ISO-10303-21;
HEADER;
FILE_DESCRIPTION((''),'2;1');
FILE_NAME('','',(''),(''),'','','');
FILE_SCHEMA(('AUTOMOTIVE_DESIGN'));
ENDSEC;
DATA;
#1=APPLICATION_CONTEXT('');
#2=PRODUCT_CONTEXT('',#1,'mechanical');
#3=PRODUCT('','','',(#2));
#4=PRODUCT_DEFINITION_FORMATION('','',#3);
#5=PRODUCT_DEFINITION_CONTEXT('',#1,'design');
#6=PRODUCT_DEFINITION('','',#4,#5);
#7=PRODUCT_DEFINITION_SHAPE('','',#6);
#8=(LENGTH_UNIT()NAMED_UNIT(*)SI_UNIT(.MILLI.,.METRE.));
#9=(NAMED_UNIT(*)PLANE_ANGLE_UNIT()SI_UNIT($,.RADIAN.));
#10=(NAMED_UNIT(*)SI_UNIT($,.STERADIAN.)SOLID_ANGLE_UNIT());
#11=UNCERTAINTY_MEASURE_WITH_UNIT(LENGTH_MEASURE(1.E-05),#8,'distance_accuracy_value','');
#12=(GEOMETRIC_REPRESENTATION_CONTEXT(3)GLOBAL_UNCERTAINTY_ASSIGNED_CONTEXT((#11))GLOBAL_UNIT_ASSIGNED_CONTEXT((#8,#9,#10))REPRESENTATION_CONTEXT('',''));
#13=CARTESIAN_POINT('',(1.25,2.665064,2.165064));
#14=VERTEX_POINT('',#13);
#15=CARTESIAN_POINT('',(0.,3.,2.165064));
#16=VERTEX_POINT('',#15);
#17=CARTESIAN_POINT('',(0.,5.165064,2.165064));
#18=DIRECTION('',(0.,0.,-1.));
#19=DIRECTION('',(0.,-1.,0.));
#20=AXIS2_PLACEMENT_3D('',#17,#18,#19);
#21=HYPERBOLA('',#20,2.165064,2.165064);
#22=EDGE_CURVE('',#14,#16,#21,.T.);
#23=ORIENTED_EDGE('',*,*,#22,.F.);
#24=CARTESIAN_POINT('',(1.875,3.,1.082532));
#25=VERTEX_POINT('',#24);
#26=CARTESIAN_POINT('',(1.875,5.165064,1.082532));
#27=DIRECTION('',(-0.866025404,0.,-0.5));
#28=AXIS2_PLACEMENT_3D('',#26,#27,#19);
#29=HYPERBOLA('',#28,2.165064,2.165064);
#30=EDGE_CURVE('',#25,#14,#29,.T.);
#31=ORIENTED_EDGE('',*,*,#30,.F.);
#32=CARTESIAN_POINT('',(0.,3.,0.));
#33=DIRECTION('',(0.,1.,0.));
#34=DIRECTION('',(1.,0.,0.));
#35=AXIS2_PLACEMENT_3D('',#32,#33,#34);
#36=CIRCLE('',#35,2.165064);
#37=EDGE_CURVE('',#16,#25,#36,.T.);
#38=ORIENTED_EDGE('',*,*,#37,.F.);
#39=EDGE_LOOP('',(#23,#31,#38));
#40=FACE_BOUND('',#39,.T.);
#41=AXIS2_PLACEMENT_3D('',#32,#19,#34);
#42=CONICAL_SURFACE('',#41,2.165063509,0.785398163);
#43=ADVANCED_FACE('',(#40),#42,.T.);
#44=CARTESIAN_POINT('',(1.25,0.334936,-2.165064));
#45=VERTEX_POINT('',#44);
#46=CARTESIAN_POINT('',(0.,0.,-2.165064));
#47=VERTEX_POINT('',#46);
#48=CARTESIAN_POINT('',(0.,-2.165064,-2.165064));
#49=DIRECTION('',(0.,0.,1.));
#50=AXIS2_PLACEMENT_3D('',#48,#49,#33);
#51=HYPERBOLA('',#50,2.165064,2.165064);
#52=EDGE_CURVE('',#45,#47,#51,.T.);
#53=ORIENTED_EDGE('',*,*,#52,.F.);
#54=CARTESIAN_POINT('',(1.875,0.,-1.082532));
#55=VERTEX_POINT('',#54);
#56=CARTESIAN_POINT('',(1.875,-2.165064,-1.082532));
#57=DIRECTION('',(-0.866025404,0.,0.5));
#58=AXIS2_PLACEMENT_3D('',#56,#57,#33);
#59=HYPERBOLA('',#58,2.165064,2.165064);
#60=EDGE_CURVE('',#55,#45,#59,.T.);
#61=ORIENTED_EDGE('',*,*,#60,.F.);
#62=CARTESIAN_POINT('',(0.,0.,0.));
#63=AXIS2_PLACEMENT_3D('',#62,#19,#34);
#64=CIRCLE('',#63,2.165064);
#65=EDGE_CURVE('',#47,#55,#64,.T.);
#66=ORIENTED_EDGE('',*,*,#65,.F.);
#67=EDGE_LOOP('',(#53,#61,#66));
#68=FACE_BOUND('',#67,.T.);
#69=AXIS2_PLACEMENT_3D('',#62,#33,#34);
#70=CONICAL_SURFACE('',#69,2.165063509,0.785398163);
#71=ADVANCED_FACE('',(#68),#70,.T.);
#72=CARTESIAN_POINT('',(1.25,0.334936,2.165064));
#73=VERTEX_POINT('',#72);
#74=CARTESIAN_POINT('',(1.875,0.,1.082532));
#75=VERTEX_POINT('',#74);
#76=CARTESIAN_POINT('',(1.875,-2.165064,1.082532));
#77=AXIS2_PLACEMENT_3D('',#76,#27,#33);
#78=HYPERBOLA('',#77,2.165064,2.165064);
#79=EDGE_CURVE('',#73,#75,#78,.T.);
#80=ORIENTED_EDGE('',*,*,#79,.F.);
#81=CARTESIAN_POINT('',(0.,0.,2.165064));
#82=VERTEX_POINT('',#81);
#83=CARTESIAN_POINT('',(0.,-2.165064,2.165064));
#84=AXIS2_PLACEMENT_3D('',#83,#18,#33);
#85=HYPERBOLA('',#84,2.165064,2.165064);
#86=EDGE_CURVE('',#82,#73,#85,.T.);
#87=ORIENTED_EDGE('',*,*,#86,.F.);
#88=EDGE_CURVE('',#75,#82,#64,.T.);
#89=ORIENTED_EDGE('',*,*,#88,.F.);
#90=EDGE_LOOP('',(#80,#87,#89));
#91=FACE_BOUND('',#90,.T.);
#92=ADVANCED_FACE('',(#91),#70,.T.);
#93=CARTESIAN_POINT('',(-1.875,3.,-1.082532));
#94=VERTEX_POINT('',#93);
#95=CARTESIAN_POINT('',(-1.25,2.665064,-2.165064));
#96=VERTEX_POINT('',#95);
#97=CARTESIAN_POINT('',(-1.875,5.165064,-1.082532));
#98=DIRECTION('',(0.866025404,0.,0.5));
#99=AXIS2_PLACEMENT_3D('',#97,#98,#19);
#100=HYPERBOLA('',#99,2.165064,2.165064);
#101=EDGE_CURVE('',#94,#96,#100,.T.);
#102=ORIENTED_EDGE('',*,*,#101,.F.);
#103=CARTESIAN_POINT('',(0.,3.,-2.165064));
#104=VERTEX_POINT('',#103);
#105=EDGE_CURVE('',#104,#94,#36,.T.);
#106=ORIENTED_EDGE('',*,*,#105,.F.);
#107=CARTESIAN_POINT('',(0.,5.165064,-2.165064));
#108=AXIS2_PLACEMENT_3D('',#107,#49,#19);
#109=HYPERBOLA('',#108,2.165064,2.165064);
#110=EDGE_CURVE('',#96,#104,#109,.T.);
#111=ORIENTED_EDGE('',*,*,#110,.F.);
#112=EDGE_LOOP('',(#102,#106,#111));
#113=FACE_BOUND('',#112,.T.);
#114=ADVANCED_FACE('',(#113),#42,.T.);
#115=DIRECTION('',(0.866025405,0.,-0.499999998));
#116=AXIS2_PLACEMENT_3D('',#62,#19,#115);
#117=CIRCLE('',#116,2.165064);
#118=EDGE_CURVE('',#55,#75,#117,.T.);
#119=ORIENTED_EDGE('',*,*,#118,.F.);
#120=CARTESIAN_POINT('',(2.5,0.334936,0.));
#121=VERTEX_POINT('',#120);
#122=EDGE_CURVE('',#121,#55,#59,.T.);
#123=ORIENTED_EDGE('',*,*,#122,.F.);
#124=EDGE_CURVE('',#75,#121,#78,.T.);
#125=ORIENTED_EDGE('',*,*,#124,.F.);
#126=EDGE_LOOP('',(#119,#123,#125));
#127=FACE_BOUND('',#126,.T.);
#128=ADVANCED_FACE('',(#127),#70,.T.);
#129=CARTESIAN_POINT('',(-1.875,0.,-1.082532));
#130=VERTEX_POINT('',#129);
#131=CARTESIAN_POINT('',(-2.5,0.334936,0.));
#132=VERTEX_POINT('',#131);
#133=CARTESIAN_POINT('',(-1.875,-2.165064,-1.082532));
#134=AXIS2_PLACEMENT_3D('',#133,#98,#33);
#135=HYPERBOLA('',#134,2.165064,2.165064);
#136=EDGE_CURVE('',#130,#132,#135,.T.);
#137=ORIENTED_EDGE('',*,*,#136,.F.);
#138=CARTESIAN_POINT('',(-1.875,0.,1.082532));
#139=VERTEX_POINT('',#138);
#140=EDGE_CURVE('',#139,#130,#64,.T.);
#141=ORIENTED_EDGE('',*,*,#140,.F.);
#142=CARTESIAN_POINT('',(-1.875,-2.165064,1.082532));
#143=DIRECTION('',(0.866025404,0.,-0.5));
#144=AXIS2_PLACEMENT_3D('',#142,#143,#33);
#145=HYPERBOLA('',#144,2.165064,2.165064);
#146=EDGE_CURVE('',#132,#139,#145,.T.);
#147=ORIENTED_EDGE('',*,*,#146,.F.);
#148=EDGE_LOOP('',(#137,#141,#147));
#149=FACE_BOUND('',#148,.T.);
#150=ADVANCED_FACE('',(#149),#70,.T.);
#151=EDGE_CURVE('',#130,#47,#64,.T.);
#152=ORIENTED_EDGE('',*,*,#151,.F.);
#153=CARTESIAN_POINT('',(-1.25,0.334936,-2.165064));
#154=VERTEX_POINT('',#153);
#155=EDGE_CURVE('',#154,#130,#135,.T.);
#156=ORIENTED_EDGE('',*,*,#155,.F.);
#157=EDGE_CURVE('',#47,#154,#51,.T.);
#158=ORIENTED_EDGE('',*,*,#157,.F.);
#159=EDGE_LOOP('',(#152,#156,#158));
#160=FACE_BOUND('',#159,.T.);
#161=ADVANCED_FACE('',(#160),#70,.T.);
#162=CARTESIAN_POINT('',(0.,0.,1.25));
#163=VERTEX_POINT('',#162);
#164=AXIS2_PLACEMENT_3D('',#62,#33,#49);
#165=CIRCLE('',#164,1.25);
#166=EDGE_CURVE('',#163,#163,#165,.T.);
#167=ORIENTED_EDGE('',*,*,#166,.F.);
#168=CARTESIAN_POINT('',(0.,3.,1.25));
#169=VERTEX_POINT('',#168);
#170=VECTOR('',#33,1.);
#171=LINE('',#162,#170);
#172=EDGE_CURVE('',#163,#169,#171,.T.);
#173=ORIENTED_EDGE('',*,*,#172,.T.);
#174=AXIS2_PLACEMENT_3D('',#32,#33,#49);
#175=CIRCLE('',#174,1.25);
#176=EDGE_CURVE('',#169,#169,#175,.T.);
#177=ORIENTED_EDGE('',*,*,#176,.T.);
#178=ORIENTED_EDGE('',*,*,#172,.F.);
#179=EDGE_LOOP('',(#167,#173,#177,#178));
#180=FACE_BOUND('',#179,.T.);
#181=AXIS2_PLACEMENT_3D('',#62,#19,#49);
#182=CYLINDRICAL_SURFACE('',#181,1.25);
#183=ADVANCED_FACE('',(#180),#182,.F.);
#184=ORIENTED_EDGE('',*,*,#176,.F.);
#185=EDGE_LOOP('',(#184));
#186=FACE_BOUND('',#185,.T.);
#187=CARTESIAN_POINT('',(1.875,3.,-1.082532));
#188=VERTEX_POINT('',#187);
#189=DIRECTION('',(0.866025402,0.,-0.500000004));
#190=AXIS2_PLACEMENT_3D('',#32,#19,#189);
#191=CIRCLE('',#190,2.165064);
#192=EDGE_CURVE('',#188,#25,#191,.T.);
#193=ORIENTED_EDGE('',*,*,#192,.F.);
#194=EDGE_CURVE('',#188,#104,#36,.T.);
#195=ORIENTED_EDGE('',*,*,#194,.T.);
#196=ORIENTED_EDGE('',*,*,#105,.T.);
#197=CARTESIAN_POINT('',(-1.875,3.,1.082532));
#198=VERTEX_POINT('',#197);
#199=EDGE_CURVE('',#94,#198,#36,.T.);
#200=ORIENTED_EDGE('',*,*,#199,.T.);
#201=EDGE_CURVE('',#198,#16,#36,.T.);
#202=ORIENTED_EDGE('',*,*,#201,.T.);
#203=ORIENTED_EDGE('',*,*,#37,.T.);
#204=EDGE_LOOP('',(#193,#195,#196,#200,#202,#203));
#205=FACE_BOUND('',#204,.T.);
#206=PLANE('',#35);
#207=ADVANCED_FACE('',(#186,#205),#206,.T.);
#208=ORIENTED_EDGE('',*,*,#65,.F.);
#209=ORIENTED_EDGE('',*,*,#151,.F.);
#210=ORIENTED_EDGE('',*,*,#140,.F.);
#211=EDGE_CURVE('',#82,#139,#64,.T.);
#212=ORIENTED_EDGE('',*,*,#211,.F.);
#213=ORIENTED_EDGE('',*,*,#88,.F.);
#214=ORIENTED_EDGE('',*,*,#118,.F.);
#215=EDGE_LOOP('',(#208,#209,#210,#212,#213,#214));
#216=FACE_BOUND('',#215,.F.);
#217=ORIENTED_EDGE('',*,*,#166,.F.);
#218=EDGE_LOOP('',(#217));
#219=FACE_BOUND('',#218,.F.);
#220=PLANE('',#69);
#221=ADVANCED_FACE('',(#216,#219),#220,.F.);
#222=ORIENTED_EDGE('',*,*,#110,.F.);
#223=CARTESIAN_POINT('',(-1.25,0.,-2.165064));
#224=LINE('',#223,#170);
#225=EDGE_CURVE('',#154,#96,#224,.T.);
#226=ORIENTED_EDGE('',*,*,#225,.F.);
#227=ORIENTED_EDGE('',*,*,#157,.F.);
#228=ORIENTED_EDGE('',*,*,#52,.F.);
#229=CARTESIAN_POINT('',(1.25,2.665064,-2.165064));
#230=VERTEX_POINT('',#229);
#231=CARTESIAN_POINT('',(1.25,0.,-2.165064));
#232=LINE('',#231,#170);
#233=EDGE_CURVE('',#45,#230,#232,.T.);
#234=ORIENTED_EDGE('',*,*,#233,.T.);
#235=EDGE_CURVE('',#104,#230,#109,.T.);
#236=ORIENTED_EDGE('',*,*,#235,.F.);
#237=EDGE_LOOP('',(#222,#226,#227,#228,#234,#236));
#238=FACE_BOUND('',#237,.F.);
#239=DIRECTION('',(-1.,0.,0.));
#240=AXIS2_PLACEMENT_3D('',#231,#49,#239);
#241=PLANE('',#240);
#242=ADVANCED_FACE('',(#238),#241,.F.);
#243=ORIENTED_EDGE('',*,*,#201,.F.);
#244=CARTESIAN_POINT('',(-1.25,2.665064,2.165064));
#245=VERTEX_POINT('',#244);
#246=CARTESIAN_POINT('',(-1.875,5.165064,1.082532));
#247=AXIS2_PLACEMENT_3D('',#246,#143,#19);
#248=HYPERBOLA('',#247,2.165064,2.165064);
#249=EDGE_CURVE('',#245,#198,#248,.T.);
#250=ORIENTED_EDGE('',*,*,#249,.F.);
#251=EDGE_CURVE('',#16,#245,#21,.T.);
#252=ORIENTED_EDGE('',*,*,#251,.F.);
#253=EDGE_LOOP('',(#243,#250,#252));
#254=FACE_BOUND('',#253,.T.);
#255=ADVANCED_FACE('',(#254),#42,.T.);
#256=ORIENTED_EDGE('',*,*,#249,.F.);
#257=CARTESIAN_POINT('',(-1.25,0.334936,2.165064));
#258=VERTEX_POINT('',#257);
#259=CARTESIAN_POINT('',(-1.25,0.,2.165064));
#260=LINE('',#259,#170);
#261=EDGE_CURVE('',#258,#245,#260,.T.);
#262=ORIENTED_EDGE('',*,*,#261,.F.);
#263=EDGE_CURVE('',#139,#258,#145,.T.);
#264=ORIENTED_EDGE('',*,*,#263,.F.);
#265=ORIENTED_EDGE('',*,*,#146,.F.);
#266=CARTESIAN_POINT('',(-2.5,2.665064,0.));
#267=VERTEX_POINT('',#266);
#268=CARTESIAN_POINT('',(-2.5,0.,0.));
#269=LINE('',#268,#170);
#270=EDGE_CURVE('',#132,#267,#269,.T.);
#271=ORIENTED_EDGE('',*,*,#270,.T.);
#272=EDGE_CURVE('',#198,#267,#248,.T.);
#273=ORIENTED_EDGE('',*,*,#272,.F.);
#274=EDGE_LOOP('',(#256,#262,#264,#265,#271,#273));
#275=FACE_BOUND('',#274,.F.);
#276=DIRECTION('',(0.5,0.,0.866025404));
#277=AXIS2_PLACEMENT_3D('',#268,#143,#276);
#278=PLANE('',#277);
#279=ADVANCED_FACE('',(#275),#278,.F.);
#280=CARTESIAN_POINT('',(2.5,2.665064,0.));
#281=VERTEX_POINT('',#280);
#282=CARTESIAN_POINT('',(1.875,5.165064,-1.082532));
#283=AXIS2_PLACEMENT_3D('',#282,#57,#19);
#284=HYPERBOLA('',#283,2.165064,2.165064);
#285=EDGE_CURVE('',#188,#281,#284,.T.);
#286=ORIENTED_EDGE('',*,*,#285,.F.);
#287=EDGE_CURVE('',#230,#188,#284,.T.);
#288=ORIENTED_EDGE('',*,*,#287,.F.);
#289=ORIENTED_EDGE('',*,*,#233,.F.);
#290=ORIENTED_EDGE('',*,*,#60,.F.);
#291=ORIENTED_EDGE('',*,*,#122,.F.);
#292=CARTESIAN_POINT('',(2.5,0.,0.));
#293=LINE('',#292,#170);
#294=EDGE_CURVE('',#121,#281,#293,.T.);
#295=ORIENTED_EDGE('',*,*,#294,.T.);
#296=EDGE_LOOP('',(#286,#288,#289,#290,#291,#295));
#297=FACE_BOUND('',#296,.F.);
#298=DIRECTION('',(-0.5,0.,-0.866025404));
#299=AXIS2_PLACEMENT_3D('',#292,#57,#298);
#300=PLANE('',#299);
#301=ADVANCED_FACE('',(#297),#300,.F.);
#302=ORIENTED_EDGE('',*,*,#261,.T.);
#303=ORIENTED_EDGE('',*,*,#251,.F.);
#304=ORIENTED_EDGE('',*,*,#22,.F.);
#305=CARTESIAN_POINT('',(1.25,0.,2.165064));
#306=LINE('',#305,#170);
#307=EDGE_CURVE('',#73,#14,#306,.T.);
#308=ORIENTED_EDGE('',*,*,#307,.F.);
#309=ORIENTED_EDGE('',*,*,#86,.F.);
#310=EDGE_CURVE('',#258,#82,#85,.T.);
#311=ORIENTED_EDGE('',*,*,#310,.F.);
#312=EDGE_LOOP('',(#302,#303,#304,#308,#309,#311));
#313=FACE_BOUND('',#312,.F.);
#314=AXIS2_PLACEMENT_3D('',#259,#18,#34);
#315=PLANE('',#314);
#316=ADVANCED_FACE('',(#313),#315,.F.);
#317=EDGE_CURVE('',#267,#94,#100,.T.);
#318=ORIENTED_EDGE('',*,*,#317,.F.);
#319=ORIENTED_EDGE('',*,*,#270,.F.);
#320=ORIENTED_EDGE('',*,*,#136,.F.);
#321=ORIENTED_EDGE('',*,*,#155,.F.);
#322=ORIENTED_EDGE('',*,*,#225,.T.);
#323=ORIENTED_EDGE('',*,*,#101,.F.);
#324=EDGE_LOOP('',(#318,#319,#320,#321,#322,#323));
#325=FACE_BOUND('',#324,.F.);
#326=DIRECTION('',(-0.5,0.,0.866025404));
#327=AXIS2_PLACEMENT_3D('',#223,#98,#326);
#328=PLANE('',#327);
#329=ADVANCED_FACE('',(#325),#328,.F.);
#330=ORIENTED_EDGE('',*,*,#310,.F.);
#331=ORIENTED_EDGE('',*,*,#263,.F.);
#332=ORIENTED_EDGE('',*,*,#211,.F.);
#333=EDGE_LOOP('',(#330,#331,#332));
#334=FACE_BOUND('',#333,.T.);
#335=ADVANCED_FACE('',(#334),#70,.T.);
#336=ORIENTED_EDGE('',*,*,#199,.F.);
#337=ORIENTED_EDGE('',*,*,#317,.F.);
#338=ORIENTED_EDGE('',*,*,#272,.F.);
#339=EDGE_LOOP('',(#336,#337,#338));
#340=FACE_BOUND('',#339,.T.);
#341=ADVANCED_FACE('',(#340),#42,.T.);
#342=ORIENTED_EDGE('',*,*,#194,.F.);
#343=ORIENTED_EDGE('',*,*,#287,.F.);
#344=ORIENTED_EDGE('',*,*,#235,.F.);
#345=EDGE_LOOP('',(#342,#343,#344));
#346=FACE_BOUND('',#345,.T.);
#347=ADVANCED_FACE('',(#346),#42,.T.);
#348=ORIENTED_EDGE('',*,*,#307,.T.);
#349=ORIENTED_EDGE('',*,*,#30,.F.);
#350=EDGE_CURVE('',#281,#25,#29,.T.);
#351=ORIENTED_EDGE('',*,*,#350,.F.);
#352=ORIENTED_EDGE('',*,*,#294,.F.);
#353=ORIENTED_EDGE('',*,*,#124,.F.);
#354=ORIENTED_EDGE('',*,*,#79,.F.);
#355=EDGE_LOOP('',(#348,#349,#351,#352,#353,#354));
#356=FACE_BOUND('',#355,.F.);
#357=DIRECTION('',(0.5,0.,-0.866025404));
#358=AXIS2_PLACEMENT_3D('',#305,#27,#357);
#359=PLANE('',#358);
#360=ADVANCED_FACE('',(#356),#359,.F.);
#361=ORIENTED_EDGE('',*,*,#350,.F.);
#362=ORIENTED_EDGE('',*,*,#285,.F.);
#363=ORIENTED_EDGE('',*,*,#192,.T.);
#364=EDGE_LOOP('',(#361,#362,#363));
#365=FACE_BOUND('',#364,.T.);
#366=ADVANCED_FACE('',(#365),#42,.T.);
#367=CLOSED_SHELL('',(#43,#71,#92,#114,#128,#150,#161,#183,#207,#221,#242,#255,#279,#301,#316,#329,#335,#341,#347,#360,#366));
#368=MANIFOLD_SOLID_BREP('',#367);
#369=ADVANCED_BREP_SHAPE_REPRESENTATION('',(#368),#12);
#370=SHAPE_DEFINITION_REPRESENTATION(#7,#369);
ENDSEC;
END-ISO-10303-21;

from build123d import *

# Parameters (mm, degrees)
SKETCH1_R           = 1.25
BOSS_EXTRUDE1_DEPTH = 3
SKETCH2_OUTSIDE_W   = 19.382
SKETCH2_OUTSIDE_H   = 18.712
SKETCH2_OUTSIDE_R   = 2.165063509
CUT_EXTRUDE1_DEPTH  = 5.465142775
CUT_EXTRUDE1_DRAFT  = -45
SKETCH3_OUTSIDE_W   = 19.382
SKETCH3_OUTSIDE_H   = 18.712
SKETCH3_OUTSIDE_R   = 2.165063509
CUT_EXTRUDE2_DEPTH  = 5.465142775
CUT_EXTRUDE2_DRAFT  = -45


with BuildPart() as part:
    # Sketch1 → Boss-Extrude1 (new body)
    with BuildSketch(Plane(origin=(0, 0, 0), x_dir=(1, 0, 0), z_dir=(0, 1, 0))):
        Polygon((-1.25, -2.165063509), (1.25, -2.165063509), (2.5, 0), (1.25, 2.165063509), (-1.25, 2.165063509), (-2.5, 0), align=None)
        with Locations(Location((0, 0, 0), (0, 0, 270))):
            Circle(SKETCH1_R, mode=Mode.SUBTRACT)
    extrude(amount=BOSS_EXTRUDE1_DEPTH)


with BuildPart() as cut_extrude1_tool:
    # Sketch2 outside → Cut-Extrude1 (with draft: the straight prism first)
    with BuildSketch(Plane(origin=(0, 3, 0), x_dir=(1, 0, 0), z_dir=(0, 1, 0))):
        Rectangle(SKETCH2_OUTSIDE_W, SKETCH2_OUTSIDE_H)
        Circle(SKETCH2_OUTSIDE_R, mode=Mode.SUBTRACT)
    extrude(amount=-CUT_EXTRUDE1_DEPTH)
    # Cut-Extrude1: the draft: its side faces are tilted about the plane it starts from
    cut_extrude1_sides = [cut_extrude1_tool.faces().sort_by_distance(p)[0] for p in [
        (0, 0.267428613, 9.356),
        (9.691, 0.267428613, 0),
        (0, 0.267428613, -9.356),
        (-9.691, 0.267428613, 0),
        (-2.165063509, 0.267428613, 0),
    ]]
    draft(cut_extrude1_sides, Plane(origin=(0, 3, 0), x_dir=(1, 0, 0), z_dir=(0, 1, 0)), CUT_EXTRUDE1_DRAFT)


with BuildPart() as part_1:
    add(part.part)

    # Cut-Extrude1: cut by cut_extrude1_tool
    add(cut_extrude1_tool.part, mode=Mode.SUBTRACT)


with BuildPart() as cut_extrude2_tool:
    # Sketch3 outside → Cut-Extrude2 (with draft: the straight prism first)
    with BuildSketch(Plane.XZ):
        Rectangle(SKETCH3_OUTSIDE_W, SKETCH3_OUTSIDE_H)
        Circle(SKETCH3_OUTSIDE_R, mode=Mode.SUBTRACT)
    extrude(amount=-CUT_EXTRUDE2_DEPTH)
    # Cut-Extrude2: the draft: its side faces are tilted about the plane it starts from
    cut_extrude2_sides = [cut_extrude2_tool.faces().sort_by_distance(p)[0] for p in [
        (0, 2.732571387, -9.356),
        (9.691, 2.732571387, 0),
        (0, 2.732571387, 9.356),
        (-9.691, 2.732571387, 0),
        (-2.165063509, 2.732571387, 0),
    ]]
    draft(cut_extrude2_sides, Plane.XZ, CUT_EXTRUDE2_DRAFT)


with BuildPart() as part_2:
    add(part_1.part)

    # Cut-Extrude2: cut by cut_extrude2_tool
    add(cut_extrude2_tool.part, mode=Mode.SUBTRACT)


solid = part_2.part
